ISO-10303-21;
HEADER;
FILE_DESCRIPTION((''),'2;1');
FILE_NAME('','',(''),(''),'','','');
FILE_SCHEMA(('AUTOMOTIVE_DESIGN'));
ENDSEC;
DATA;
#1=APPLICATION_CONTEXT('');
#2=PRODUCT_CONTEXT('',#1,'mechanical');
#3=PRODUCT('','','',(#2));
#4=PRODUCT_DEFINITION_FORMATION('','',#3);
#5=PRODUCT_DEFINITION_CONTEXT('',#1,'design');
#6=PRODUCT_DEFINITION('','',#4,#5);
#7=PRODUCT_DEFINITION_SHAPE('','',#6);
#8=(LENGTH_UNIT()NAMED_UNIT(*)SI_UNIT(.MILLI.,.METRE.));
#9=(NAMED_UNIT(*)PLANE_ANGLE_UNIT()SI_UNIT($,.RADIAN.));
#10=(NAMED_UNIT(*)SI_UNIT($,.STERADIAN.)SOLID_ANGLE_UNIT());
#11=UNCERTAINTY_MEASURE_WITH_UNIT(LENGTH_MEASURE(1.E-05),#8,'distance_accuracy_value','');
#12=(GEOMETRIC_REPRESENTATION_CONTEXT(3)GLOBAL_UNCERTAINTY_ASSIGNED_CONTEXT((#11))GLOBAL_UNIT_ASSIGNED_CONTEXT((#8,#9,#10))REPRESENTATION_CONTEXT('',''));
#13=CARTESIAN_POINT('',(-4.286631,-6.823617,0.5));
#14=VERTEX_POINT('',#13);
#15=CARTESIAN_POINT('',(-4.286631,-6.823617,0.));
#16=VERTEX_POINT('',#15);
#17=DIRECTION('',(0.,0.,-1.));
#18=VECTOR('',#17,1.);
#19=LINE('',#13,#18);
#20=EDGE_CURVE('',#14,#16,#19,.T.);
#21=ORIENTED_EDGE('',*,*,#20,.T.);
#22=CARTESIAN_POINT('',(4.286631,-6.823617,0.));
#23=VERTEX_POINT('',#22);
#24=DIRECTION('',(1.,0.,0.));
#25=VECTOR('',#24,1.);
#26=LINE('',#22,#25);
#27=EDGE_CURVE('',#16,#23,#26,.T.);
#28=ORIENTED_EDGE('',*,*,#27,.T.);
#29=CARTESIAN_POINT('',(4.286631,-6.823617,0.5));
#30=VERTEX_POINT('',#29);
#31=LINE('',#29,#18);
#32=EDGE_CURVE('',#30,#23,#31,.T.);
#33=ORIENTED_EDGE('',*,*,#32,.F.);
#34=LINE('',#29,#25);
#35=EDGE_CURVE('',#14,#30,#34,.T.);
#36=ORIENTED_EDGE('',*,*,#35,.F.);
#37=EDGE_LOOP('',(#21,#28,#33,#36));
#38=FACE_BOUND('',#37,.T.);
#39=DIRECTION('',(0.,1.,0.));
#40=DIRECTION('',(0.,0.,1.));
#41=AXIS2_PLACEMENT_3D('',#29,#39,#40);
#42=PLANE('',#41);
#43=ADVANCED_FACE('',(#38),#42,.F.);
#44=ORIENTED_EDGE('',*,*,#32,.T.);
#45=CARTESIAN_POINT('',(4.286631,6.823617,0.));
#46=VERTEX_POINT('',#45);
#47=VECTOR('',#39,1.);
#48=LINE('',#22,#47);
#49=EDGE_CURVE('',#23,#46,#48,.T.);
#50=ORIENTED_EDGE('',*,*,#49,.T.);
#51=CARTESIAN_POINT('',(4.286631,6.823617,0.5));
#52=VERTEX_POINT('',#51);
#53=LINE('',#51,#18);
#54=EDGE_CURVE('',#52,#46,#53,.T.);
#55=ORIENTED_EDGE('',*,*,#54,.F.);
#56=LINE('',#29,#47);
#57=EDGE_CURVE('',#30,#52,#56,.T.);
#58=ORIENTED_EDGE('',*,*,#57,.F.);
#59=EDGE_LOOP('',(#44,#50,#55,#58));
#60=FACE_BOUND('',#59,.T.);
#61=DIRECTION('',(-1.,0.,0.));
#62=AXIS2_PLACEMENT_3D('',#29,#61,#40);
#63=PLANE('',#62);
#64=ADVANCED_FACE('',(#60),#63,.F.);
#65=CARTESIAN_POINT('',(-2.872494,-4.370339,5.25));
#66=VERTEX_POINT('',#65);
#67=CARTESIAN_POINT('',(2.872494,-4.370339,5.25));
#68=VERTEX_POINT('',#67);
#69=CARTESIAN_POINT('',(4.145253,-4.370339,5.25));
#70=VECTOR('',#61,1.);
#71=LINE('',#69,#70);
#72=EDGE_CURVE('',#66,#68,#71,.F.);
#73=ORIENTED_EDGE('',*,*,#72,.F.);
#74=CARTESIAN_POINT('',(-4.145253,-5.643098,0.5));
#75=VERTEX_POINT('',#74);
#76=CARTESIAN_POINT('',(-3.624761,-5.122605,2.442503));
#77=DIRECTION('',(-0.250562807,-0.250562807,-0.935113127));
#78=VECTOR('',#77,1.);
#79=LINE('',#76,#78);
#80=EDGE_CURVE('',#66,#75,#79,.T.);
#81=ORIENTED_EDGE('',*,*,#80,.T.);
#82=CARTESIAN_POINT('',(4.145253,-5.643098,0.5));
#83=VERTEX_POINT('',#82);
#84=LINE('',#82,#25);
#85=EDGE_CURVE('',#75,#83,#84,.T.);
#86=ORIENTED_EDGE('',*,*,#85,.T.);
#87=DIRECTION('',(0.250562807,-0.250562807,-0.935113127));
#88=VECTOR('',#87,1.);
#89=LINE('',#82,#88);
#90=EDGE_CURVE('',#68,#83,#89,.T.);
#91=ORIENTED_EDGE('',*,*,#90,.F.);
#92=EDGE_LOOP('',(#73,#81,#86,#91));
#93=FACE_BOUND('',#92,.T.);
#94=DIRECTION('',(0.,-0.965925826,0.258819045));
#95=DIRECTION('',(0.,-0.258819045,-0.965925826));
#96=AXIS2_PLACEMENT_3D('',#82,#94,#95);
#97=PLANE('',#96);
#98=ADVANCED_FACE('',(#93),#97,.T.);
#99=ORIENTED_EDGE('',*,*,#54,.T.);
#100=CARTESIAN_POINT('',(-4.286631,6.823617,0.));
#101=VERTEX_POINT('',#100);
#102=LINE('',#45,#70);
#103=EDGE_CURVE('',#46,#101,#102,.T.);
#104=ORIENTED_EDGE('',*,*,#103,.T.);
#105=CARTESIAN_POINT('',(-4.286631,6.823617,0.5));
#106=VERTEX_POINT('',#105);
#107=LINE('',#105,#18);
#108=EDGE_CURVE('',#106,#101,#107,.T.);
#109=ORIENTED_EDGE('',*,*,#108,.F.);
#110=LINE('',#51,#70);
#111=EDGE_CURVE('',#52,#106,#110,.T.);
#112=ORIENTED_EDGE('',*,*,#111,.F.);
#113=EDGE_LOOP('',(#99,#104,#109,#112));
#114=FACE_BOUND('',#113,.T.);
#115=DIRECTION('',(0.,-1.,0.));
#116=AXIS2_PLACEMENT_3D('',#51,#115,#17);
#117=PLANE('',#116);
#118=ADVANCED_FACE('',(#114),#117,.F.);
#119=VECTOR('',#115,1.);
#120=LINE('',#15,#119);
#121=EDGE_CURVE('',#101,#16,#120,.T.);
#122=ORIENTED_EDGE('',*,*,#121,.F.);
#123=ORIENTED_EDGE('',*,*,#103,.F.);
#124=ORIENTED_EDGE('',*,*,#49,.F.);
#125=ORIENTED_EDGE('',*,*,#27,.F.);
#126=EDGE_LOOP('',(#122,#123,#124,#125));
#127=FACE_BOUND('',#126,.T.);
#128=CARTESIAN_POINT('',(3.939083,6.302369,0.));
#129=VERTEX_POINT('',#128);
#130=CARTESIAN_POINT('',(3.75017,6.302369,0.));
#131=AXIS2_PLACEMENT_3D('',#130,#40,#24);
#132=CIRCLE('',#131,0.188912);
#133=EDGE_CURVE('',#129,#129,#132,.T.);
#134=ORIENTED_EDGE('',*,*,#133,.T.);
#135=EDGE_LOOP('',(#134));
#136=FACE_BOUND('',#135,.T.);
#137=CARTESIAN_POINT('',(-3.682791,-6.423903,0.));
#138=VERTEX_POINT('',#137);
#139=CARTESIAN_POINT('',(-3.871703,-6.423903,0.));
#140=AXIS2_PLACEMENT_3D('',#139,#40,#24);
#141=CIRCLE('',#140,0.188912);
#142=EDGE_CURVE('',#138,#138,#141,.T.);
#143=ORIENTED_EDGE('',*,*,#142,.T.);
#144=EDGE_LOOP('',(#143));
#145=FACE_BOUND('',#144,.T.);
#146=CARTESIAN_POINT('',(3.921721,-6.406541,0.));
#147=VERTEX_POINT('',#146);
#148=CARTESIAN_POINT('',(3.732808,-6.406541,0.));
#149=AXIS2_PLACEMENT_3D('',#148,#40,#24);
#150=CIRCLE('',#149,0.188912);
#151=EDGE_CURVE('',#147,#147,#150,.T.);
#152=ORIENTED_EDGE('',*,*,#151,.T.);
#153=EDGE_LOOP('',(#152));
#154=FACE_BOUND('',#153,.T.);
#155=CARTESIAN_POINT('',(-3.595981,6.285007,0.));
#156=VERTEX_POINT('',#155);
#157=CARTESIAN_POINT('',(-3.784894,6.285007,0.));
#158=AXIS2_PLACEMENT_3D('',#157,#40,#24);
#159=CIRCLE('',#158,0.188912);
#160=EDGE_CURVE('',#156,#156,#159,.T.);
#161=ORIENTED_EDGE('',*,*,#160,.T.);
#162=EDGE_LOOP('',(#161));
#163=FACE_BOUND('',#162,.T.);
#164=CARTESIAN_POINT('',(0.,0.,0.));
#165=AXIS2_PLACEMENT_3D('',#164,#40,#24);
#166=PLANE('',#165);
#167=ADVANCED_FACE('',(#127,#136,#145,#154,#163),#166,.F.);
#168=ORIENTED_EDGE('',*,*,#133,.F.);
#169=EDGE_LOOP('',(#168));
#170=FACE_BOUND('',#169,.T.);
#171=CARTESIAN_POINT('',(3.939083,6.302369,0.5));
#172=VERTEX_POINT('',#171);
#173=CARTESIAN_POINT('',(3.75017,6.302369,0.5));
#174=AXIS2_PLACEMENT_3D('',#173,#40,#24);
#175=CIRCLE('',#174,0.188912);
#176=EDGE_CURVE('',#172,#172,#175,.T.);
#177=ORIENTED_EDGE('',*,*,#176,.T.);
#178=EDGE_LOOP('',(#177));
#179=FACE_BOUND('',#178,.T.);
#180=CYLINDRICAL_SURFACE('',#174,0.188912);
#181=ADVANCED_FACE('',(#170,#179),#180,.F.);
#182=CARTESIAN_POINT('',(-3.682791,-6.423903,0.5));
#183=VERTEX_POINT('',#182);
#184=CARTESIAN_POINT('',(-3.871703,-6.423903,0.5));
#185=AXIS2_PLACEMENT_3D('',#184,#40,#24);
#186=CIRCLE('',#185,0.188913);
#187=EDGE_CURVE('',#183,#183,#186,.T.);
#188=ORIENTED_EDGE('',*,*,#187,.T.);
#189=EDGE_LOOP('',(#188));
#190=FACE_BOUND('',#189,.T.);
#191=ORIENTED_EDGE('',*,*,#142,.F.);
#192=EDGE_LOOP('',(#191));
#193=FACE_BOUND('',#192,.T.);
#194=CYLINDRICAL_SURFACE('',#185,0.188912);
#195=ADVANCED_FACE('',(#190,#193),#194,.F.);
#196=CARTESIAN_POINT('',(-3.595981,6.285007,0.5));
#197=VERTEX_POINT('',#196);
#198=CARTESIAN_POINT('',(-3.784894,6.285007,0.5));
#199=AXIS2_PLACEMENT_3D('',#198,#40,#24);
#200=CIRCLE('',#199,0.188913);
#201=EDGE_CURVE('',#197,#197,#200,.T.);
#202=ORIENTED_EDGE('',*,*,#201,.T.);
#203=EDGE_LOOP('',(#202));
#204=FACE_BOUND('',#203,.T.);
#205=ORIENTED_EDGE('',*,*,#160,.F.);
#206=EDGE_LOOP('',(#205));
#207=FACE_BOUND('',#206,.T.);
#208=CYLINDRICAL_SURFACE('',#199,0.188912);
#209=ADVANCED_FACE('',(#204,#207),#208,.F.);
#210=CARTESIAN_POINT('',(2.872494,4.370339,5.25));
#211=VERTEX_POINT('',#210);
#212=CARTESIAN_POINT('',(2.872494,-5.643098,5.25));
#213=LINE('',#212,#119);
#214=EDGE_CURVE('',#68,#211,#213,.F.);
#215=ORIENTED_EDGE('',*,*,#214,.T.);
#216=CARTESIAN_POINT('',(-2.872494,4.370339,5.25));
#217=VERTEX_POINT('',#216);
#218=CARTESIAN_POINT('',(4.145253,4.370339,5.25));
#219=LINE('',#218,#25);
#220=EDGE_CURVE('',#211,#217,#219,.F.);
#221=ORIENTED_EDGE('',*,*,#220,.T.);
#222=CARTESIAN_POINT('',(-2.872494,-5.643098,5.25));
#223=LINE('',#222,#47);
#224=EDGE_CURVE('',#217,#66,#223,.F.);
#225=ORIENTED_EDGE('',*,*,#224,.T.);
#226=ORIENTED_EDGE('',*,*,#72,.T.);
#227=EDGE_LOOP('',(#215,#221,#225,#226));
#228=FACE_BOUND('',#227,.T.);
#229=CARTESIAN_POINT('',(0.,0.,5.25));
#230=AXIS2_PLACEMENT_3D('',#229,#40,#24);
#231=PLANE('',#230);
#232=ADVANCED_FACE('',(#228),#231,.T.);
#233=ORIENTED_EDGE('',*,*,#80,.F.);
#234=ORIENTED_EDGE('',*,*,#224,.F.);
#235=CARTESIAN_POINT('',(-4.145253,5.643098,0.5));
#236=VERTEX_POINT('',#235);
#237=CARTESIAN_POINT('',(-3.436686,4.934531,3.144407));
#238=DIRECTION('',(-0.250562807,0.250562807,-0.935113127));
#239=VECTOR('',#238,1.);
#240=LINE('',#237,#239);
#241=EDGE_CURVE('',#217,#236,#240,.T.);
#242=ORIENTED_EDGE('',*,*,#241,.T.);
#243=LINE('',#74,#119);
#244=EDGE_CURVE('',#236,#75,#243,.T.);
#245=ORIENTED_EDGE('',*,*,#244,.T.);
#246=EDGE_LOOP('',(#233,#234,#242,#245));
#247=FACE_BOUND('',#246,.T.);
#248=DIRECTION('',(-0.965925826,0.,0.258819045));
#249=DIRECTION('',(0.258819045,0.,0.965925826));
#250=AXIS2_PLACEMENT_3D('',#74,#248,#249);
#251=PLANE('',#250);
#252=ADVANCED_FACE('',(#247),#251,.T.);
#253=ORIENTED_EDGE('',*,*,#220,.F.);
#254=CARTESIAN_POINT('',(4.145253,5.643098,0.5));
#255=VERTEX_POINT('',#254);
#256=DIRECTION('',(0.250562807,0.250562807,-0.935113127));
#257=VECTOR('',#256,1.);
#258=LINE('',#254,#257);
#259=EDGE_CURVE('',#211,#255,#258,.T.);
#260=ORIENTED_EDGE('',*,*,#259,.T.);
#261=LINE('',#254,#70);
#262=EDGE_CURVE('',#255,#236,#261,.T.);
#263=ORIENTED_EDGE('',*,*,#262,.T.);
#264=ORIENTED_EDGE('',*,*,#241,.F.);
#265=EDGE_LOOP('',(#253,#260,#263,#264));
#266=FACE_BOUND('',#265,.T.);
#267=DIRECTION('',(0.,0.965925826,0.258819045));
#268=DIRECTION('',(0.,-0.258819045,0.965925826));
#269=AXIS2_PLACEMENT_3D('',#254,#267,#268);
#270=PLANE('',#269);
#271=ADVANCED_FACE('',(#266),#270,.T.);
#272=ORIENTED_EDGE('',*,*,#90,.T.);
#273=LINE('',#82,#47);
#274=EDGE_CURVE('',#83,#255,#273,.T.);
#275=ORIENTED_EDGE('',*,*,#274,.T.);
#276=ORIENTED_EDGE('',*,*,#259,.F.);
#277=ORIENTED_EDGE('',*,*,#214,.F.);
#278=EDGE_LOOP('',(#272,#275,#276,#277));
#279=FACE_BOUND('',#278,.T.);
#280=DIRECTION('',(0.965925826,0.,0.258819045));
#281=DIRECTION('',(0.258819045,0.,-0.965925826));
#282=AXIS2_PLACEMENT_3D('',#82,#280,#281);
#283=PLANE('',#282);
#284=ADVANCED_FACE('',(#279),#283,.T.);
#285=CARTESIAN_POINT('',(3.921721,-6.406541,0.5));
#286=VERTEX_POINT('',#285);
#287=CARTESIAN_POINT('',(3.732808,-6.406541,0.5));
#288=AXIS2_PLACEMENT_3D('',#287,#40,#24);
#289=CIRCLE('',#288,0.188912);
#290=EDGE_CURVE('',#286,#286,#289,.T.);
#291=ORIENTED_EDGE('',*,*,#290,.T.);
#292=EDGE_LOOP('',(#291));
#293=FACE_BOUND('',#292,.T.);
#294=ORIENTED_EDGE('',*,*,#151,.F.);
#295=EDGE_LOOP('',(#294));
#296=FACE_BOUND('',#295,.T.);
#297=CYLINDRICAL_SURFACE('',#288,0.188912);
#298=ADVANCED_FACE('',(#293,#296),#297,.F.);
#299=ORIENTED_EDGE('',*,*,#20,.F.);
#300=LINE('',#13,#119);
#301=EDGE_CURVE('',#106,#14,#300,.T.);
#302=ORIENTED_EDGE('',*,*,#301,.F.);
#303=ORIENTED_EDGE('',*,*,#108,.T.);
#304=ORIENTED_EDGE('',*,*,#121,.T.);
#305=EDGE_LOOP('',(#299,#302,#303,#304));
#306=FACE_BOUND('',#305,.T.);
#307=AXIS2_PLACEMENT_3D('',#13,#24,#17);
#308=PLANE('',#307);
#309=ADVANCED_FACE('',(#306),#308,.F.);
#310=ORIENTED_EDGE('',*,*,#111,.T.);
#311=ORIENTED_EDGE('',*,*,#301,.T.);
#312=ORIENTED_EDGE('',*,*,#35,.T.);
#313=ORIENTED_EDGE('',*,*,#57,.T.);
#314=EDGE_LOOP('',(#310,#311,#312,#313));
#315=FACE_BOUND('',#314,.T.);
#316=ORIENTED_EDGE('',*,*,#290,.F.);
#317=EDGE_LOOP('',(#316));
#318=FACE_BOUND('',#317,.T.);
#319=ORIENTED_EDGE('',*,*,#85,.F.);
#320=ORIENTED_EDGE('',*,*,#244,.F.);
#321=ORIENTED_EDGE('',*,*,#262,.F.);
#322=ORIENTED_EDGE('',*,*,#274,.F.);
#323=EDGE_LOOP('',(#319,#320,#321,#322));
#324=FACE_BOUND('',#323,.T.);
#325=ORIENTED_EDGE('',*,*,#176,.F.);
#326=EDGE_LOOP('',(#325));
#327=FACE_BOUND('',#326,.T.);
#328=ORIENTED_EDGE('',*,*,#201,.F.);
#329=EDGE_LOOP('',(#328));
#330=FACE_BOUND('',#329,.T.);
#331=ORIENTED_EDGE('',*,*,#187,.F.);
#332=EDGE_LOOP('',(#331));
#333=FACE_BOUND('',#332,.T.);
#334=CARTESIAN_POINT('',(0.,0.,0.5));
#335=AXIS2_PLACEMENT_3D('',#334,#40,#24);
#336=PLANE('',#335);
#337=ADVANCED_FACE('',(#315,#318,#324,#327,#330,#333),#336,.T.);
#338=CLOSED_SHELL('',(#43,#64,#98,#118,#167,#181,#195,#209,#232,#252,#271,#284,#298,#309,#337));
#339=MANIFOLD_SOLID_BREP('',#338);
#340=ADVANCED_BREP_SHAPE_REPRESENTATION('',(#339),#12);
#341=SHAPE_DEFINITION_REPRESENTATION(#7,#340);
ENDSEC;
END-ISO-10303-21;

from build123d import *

# Parameters (mm, degrees)
SKETCH1_W                 = 34.29304938
SKETCH1_H                 = 54.588935748
BOSS_EXTRUDE1_DEPTH       = 2
SKETCH3_W                 = 33.162023886
SKETCH3_H                 = 45.144780362
BOSS_EXTRUDE3_DEPTH       = 19
BOSS_EXTRUDE3_TAPER       = 15
F_1_64_TAPPED_HOLE1_D     = 1.5113
F_1_64_TAPPED_HOLE1_DEPTH = 4.89712
F_1_64_TAPPED_HOLE1_TIP   = 0.454040327
SCALE2_SCALE              = 0.5
SCALE5_SCALE              = 0.5


with BuildPart() as part:
    # Sketch1 → Boss-Extrude1 (new body)
    with BuildSketch(Plane.XY):
        Rectangle(SKETCH1_W, SKETCH1_H)
    extrude(amount=BOSS_EXTRUDE1_DEPTH)

    # Sketch3 → Boss-Extrude3 (add)
    with BuildSketch(Plane.XY.offset(2)):
        Rectangle(SKETCH3_W, SKETCH3_H)
    extrude(amount=BOSS_EXTRUDE3_DEPTH, taper=BOSS_EXTRUDE3_TAPER)

    # #1-64 Tapped Hole1
    with Locations(Plane(origin=(15.000680777, 25.209477417, 2), x_dir=(1, 0, 0), z_dir=(0, 0, 1))):
        with Locations((0, 0), (-30.140256747, -0.069447596), (-30.487494728, -50.905088008), (-0.069447596, -50.835640411)):
            Hole(F_1_64_TAPPED_HOLE1_D / 2, depth=F_1_64_TAPPED_HOLE1_DEPTH)
            with Locations((0, 0, -(F_1_64_TAPPED_HOLE1_DEPTH + F_1_64_TAPPED_HOLE1_TIP / 2))):  # 118° drill point
                Cone(0, F_1_64_TAPPED_HOLE1_D / 2, F_1_64_TAPPED_HOLE1_TIP, mode=Mode.SUBTRACT)


with BuildPart() as part_1:
    # Scale2: scaled about (0, 0, 0)
    add(part.part.scale(SCALE2_SCALE))


with BuildPart() as part_2:
    # Scale5: scaled about (0, 0, 0)
    add(part_1.part.scale(SCALE5_SCALE))


solid = part_2.part
